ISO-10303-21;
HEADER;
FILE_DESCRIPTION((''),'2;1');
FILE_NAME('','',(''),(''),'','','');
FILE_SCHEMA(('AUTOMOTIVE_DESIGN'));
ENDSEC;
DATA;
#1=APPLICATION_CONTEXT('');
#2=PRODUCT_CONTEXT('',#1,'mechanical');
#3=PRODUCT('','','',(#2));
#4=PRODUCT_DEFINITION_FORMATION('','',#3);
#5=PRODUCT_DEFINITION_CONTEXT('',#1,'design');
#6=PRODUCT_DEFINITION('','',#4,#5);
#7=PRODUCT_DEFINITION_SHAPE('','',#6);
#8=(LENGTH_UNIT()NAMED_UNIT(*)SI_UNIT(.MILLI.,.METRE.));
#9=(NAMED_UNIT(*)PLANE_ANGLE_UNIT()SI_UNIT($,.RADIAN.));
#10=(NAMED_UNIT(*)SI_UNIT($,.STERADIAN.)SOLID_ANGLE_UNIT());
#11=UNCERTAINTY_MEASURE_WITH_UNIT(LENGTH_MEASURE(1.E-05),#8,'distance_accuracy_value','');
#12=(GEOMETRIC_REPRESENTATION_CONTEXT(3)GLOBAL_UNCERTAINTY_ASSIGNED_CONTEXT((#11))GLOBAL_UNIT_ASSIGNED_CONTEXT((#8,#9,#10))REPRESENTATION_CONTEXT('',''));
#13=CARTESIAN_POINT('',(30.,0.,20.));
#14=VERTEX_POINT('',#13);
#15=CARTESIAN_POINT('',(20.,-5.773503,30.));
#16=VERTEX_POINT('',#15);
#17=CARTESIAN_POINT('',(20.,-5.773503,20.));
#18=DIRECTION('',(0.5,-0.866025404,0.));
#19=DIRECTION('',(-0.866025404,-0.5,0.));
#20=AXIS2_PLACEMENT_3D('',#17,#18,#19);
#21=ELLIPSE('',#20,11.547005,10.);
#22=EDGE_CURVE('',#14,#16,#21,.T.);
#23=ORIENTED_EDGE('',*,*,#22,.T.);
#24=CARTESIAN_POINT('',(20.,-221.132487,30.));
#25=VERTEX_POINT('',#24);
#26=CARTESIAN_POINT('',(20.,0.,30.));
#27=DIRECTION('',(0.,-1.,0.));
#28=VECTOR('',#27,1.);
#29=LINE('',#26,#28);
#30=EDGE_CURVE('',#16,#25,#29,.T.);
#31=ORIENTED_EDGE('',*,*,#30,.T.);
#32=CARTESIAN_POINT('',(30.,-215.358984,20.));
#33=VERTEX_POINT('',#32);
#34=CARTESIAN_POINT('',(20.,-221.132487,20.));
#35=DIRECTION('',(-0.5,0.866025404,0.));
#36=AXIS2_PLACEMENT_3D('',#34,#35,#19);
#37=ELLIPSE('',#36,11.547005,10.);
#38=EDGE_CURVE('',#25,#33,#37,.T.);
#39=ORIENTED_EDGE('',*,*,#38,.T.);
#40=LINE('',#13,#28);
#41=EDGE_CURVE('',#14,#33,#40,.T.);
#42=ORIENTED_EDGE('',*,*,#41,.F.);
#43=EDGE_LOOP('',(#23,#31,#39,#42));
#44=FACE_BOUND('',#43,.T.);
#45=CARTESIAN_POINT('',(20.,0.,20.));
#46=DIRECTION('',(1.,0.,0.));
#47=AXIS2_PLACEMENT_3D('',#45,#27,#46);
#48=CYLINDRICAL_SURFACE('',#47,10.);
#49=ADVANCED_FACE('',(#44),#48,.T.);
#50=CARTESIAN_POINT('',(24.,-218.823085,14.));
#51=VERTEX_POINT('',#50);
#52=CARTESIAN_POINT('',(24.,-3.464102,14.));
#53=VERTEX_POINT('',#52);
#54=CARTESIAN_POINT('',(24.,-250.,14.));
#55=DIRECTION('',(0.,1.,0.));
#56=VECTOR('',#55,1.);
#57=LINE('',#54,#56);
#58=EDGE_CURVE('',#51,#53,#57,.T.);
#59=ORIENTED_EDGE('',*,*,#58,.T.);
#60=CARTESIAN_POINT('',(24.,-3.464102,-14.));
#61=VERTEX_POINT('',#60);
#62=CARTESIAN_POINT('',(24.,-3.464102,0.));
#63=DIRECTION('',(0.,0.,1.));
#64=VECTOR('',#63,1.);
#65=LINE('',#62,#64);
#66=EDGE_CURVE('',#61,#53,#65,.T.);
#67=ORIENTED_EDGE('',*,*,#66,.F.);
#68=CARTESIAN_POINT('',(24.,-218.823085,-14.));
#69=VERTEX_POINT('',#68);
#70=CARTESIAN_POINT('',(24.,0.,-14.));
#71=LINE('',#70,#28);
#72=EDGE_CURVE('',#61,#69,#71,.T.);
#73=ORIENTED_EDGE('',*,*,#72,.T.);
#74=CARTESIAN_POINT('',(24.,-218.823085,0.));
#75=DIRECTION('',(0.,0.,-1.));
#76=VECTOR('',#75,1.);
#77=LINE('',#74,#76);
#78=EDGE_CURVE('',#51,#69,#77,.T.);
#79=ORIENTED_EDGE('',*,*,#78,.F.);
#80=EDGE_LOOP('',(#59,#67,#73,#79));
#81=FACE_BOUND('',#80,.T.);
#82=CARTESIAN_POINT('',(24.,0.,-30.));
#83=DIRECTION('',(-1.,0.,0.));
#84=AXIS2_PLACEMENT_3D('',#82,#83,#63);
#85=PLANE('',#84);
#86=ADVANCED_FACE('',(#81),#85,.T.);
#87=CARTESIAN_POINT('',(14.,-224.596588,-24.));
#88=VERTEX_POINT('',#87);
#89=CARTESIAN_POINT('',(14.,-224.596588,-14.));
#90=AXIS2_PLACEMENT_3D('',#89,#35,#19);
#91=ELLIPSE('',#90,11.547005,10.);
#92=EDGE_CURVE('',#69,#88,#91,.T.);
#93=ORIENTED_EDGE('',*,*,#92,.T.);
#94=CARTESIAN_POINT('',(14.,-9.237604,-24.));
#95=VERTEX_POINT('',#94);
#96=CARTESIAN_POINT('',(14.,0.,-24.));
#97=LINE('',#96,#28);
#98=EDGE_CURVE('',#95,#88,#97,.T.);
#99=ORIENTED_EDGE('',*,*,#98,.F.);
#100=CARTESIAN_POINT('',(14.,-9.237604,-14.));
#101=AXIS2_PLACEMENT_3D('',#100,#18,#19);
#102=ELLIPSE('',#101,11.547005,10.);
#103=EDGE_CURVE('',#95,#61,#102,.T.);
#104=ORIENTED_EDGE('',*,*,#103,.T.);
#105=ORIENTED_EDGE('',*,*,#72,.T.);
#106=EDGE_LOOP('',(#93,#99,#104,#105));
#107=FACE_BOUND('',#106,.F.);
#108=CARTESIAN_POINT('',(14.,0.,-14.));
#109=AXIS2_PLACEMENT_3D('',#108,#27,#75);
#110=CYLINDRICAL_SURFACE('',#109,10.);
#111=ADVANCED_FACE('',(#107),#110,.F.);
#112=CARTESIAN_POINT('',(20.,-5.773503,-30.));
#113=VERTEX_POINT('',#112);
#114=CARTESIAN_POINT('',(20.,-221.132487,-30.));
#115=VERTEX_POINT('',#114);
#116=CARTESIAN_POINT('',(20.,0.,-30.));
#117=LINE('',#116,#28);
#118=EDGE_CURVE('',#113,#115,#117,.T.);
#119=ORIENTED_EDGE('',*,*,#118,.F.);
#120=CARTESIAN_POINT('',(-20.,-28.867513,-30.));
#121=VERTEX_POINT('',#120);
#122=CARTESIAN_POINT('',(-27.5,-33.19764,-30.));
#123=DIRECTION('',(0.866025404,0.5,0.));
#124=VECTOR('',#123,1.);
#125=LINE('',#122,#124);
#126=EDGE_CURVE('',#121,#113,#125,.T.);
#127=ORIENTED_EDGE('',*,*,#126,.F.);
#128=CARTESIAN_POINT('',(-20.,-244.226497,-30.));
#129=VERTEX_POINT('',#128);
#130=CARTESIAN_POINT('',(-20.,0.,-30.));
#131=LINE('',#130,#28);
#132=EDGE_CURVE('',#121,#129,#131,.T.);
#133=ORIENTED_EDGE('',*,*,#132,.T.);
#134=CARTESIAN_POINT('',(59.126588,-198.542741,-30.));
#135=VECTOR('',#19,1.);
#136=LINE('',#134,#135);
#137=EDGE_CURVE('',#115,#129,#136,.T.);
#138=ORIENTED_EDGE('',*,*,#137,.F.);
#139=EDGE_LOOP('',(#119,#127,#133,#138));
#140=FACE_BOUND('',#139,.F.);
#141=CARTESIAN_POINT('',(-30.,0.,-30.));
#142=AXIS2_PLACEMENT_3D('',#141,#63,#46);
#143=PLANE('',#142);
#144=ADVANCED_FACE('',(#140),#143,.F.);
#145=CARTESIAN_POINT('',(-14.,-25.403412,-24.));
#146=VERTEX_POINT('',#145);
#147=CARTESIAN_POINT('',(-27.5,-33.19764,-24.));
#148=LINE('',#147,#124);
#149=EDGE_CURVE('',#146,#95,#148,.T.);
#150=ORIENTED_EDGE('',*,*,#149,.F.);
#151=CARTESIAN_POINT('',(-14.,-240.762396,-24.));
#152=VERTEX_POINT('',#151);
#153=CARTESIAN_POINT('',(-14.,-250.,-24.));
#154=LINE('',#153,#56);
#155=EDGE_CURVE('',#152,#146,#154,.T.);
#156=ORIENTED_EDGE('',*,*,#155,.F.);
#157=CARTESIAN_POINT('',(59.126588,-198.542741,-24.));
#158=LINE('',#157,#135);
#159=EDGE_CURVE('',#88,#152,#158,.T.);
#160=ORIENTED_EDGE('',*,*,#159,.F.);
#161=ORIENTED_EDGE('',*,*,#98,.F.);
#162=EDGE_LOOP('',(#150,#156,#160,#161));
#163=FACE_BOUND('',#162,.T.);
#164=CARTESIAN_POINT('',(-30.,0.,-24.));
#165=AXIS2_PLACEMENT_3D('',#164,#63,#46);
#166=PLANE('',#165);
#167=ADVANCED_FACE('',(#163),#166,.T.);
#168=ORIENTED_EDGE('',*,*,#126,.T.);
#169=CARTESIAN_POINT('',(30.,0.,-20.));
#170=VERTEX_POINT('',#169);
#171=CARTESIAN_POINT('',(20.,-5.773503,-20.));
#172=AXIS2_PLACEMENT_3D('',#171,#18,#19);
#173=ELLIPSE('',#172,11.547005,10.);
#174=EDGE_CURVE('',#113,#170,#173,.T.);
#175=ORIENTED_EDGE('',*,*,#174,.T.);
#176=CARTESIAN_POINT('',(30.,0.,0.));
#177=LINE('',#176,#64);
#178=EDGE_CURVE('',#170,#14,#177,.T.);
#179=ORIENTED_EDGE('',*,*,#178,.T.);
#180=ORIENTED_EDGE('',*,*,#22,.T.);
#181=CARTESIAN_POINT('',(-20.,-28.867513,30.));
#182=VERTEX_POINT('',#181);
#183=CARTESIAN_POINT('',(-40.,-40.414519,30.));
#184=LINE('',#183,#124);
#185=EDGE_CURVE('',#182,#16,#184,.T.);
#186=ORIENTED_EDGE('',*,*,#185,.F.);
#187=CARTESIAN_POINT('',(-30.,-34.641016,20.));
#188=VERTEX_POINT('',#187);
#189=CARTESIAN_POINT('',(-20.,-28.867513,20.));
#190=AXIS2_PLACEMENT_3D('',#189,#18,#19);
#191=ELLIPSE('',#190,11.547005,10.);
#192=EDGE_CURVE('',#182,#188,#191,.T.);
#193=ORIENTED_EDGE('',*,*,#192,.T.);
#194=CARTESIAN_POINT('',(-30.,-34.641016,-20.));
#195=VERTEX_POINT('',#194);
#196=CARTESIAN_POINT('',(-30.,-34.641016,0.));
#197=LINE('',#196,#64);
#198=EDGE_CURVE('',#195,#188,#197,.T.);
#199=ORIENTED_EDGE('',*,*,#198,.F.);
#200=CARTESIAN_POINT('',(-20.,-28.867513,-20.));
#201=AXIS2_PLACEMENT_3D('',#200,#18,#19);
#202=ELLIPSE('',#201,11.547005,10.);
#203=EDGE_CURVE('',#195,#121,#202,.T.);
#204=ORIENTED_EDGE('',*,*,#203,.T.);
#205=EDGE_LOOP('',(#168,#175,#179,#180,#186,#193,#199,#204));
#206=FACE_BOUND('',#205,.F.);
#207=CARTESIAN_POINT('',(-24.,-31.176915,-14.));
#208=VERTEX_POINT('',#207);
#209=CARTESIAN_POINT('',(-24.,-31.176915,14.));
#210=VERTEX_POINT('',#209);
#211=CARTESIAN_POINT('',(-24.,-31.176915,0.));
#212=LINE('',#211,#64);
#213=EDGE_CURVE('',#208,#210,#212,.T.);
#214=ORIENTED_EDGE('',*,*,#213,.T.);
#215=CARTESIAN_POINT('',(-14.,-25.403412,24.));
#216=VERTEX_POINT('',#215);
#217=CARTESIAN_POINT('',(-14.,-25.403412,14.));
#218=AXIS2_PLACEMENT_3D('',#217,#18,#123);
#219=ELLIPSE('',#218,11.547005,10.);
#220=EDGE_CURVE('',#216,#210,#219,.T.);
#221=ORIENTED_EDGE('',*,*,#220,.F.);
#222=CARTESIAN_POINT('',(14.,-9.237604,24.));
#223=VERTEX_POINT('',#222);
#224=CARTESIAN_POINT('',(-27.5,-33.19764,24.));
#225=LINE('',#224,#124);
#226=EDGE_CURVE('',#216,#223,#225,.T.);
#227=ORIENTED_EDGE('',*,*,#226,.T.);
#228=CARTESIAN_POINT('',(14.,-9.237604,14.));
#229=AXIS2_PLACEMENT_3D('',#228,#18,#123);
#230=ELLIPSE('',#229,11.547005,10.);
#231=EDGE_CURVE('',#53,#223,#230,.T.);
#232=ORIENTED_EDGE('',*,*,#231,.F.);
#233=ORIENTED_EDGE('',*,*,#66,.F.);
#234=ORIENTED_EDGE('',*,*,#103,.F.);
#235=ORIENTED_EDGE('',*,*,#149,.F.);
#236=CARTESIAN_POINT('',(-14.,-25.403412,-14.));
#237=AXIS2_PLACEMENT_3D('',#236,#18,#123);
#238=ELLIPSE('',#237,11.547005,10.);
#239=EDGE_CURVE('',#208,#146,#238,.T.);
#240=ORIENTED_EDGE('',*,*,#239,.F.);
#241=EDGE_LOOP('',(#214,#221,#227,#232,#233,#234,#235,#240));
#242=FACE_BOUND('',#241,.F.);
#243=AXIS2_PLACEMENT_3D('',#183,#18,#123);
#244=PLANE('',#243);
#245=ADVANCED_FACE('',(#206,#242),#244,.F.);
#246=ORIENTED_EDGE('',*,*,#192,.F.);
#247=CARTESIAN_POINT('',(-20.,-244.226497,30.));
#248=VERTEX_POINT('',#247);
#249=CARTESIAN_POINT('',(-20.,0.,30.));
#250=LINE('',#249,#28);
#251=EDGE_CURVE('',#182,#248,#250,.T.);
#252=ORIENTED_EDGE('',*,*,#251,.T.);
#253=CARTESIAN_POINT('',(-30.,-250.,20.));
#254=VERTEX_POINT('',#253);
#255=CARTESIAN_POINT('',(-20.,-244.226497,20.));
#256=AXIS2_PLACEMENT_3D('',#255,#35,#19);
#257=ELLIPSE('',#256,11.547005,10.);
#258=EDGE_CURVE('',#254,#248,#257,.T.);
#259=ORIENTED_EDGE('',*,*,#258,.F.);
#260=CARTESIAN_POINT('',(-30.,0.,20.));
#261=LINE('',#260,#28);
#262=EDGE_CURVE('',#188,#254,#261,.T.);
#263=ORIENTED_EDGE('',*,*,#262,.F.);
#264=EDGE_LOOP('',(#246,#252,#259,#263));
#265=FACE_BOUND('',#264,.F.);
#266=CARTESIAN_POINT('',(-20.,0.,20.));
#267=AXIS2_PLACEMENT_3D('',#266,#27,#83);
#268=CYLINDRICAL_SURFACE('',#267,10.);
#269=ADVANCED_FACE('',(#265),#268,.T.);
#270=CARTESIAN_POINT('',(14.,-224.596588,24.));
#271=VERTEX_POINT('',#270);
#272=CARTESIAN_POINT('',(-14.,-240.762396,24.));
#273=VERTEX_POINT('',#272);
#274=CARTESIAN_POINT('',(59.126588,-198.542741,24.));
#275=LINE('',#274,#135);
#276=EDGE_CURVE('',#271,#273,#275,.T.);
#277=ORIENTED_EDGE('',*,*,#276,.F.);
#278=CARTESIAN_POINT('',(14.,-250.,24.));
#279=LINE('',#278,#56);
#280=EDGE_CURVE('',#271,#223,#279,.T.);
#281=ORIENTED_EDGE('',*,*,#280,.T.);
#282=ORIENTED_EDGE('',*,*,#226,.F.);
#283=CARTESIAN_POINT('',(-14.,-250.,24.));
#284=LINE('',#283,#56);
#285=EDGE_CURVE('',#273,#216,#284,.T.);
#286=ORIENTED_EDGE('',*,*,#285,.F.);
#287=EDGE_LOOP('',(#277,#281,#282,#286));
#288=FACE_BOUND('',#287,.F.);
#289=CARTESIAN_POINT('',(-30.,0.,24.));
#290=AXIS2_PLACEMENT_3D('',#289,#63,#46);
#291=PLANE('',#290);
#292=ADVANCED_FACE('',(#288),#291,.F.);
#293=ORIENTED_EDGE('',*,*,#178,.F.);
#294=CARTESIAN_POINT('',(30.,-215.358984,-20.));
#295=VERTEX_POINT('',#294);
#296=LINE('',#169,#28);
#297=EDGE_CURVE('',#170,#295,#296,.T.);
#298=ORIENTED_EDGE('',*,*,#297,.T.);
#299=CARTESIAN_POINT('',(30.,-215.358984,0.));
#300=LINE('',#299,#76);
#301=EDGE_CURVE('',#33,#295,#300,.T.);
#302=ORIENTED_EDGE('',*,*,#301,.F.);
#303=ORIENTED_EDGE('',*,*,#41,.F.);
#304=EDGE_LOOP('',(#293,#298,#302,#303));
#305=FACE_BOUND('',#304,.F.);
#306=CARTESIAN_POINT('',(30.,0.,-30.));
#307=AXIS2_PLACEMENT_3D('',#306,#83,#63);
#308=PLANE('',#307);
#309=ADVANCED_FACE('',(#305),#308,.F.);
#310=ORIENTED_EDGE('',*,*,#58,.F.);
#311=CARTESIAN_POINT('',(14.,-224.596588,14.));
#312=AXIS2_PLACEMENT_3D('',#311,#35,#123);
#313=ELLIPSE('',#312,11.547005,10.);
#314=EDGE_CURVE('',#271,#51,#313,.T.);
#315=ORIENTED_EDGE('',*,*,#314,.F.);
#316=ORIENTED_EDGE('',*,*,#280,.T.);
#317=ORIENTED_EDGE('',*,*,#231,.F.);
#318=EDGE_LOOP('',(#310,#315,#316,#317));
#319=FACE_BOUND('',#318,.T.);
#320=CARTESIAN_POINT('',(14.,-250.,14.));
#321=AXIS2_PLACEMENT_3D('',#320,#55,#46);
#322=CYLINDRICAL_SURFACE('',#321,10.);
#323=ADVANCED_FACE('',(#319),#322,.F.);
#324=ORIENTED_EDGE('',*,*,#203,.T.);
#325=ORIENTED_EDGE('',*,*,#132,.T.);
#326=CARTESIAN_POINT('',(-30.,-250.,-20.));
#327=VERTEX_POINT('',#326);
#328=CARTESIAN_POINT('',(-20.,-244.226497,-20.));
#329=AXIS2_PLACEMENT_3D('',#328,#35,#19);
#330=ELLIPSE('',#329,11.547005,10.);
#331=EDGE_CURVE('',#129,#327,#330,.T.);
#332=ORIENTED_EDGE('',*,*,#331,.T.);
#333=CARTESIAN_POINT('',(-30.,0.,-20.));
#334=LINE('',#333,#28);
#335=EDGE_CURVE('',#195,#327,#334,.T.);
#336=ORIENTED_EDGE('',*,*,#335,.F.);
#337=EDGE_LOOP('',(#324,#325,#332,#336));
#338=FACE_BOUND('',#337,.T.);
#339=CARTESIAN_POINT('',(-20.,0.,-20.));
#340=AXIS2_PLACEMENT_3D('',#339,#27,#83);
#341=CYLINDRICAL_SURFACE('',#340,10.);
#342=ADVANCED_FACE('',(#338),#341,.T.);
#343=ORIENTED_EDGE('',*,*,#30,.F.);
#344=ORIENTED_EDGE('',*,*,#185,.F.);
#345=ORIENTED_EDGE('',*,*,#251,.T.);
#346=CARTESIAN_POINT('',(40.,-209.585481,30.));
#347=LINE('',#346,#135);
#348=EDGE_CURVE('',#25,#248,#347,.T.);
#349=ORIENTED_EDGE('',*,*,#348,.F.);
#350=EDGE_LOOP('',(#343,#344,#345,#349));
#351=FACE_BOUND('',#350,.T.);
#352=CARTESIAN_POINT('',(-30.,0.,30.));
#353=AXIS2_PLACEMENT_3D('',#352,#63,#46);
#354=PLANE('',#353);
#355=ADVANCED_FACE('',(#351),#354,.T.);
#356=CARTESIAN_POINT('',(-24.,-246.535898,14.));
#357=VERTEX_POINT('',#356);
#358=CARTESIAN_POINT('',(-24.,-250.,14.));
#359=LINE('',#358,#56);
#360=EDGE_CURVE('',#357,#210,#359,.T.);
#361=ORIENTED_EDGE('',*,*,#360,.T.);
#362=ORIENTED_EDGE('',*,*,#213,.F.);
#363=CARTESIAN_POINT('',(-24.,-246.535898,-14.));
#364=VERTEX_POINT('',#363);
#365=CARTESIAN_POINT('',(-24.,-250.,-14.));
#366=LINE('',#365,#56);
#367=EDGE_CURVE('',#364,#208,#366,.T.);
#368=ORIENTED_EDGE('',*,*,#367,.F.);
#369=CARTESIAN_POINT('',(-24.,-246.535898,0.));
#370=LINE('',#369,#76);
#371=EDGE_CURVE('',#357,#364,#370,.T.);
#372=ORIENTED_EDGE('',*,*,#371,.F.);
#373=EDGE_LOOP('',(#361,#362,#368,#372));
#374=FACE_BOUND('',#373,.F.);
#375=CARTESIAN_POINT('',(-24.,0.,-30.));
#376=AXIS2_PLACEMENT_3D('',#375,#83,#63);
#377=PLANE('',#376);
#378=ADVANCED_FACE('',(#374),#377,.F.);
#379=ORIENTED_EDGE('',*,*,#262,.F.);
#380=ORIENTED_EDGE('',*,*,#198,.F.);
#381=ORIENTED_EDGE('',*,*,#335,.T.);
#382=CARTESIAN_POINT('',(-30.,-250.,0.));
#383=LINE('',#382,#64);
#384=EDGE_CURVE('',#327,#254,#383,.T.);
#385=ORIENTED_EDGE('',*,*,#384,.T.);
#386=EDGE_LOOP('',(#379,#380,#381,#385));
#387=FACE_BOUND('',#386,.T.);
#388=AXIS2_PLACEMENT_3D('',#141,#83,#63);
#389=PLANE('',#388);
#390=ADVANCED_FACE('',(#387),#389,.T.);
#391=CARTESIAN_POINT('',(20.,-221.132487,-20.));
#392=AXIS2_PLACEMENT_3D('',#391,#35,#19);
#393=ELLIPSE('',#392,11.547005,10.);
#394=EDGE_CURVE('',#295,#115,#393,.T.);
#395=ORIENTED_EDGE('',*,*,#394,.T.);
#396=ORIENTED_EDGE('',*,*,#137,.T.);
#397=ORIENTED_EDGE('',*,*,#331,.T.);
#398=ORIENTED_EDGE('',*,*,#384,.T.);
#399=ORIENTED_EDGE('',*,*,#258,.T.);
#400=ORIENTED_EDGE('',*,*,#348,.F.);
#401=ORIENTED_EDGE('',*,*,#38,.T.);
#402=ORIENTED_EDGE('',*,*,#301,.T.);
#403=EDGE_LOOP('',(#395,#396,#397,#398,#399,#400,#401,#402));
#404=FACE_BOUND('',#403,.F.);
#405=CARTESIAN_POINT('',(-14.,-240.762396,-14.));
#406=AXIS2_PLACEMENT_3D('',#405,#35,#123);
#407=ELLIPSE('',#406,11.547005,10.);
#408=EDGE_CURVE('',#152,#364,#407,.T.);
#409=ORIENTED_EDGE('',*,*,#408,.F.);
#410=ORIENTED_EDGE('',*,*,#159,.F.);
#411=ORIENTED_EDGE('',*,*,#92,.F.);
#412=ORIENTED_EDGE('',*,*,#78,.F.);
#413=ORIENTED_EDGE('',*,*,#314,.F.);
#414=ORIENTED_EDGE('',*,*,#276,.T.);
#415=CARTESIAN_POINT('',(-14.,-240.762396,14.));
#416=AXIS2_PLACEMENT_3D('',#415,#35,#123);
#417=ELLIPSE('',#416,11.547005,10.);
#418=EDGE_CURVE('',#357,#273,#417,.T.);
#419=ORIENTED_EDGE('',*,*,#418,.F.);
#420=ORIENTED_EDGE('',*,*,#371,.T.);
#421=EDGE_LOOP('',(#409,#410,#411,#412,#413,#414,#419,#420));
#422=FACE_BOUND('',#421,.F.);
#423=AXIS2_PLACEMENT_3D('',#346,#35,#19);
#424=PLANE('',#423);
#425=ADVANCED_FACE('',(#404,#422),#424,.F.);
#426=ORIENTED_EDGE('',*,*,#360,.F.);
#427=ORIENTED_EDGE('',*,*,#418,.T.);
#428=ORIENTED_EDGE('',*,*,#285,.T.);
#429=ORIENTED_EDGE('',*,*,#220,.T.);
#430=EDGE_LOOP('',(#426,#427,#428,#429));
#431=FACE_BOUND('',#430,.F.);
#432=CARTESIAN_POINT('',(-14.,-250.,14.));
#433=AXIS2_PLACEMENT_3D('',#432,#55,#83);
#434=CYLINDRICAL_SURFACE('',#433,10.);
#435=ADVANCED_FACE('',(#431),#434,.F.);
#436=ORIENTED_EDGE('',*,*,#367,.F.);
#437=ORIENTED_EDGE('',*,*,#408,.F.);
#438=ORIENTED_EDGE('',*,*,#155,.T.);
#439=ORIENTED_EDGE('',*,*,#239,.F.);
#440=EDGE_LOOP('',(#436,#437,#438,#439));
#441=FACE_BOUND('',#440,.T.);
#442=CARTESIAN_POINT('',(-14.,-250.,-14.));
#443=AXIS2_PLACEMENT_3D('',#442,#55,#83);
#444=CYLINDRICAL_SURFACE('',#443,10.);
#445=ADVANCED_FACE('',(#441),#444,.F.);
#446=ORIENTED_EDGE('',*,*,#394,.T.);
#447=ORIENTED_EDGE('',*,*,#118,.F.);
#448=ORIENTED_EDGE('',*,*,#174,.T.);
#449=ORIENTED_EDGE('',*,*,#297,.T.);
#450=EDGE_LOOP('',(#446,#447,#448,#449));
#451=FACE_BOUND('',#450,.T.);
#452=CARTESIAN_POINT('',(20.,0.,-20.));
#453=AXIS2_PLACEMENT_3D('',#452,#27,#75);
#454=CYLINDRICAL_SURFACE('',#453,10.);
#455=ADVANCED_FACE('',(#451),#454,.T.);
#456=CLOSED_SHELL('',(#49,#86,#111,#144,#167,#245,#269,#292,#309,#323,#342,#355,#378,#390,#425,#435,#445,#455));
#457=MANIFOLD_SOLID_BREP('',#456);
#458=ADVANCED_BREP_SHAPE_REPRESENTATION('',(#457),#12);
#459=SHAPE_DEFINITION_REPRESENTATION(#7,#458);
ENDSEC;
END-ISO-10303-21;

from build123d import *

# Parameters (mm, degrees)
F0_W     = 60
F0_H     = 60
F1_DEPTH = 250
F2_T     = -6
F3_R     = 10
F5_DEPTH = 60.001
F7_DEPTH = 60.001


with BuildPart() as f1:
    # F0 (on Front) → F1 (new body)
    with BuildSketch(Plane.XZ):
        Rectangle(F0_W, F0_H)
    extrude(amount=F1_DEPTH)

    # F2
    f2_openings = [f1.faces().sort_by_distance(p)[0] for p in [
        (0, -250, 0),
        (0, 0, 0),
    ]]
    offset(amount=F2_T, openings=f2_openings)

    # F3
    f3_edges = [f1.edges().sort_by_distance(p)[0] for p in [
        (-30, -125, 30),
        (-24, -125, -24),
        (30, -125, 30),
        (30, -125, -30),
        (-24, -125, 24),
        (-30, -125, -30),
        (24, -125, 24),
        (24, -125, -24),
    ]]
    fillet(f3_edges, radius=F3_R)

    # F4 (on face) → F5 (cut, through all)
    with BuildSketch(Plane.XY.offset(30)):
        Polygon((40, -255.7735026919), (40, -209.5854811567), (-40, -255.7735026919), align=None)
    extrude(amount=-F5_DEPTH, mode=Mode.SUBTRACT)

    # F6 (on face) → F7 (cut, through all)
    with BuildSketch(Plane.XY.offset(30)):
        Polygon((-40, 5.7735026919), (-40, -40.4145188433), (40, 5.7735026919), align=None)
    extrude(amount=-F7_DEPTH, mode=Mode.SUBTRACT)


solid = f1.part
